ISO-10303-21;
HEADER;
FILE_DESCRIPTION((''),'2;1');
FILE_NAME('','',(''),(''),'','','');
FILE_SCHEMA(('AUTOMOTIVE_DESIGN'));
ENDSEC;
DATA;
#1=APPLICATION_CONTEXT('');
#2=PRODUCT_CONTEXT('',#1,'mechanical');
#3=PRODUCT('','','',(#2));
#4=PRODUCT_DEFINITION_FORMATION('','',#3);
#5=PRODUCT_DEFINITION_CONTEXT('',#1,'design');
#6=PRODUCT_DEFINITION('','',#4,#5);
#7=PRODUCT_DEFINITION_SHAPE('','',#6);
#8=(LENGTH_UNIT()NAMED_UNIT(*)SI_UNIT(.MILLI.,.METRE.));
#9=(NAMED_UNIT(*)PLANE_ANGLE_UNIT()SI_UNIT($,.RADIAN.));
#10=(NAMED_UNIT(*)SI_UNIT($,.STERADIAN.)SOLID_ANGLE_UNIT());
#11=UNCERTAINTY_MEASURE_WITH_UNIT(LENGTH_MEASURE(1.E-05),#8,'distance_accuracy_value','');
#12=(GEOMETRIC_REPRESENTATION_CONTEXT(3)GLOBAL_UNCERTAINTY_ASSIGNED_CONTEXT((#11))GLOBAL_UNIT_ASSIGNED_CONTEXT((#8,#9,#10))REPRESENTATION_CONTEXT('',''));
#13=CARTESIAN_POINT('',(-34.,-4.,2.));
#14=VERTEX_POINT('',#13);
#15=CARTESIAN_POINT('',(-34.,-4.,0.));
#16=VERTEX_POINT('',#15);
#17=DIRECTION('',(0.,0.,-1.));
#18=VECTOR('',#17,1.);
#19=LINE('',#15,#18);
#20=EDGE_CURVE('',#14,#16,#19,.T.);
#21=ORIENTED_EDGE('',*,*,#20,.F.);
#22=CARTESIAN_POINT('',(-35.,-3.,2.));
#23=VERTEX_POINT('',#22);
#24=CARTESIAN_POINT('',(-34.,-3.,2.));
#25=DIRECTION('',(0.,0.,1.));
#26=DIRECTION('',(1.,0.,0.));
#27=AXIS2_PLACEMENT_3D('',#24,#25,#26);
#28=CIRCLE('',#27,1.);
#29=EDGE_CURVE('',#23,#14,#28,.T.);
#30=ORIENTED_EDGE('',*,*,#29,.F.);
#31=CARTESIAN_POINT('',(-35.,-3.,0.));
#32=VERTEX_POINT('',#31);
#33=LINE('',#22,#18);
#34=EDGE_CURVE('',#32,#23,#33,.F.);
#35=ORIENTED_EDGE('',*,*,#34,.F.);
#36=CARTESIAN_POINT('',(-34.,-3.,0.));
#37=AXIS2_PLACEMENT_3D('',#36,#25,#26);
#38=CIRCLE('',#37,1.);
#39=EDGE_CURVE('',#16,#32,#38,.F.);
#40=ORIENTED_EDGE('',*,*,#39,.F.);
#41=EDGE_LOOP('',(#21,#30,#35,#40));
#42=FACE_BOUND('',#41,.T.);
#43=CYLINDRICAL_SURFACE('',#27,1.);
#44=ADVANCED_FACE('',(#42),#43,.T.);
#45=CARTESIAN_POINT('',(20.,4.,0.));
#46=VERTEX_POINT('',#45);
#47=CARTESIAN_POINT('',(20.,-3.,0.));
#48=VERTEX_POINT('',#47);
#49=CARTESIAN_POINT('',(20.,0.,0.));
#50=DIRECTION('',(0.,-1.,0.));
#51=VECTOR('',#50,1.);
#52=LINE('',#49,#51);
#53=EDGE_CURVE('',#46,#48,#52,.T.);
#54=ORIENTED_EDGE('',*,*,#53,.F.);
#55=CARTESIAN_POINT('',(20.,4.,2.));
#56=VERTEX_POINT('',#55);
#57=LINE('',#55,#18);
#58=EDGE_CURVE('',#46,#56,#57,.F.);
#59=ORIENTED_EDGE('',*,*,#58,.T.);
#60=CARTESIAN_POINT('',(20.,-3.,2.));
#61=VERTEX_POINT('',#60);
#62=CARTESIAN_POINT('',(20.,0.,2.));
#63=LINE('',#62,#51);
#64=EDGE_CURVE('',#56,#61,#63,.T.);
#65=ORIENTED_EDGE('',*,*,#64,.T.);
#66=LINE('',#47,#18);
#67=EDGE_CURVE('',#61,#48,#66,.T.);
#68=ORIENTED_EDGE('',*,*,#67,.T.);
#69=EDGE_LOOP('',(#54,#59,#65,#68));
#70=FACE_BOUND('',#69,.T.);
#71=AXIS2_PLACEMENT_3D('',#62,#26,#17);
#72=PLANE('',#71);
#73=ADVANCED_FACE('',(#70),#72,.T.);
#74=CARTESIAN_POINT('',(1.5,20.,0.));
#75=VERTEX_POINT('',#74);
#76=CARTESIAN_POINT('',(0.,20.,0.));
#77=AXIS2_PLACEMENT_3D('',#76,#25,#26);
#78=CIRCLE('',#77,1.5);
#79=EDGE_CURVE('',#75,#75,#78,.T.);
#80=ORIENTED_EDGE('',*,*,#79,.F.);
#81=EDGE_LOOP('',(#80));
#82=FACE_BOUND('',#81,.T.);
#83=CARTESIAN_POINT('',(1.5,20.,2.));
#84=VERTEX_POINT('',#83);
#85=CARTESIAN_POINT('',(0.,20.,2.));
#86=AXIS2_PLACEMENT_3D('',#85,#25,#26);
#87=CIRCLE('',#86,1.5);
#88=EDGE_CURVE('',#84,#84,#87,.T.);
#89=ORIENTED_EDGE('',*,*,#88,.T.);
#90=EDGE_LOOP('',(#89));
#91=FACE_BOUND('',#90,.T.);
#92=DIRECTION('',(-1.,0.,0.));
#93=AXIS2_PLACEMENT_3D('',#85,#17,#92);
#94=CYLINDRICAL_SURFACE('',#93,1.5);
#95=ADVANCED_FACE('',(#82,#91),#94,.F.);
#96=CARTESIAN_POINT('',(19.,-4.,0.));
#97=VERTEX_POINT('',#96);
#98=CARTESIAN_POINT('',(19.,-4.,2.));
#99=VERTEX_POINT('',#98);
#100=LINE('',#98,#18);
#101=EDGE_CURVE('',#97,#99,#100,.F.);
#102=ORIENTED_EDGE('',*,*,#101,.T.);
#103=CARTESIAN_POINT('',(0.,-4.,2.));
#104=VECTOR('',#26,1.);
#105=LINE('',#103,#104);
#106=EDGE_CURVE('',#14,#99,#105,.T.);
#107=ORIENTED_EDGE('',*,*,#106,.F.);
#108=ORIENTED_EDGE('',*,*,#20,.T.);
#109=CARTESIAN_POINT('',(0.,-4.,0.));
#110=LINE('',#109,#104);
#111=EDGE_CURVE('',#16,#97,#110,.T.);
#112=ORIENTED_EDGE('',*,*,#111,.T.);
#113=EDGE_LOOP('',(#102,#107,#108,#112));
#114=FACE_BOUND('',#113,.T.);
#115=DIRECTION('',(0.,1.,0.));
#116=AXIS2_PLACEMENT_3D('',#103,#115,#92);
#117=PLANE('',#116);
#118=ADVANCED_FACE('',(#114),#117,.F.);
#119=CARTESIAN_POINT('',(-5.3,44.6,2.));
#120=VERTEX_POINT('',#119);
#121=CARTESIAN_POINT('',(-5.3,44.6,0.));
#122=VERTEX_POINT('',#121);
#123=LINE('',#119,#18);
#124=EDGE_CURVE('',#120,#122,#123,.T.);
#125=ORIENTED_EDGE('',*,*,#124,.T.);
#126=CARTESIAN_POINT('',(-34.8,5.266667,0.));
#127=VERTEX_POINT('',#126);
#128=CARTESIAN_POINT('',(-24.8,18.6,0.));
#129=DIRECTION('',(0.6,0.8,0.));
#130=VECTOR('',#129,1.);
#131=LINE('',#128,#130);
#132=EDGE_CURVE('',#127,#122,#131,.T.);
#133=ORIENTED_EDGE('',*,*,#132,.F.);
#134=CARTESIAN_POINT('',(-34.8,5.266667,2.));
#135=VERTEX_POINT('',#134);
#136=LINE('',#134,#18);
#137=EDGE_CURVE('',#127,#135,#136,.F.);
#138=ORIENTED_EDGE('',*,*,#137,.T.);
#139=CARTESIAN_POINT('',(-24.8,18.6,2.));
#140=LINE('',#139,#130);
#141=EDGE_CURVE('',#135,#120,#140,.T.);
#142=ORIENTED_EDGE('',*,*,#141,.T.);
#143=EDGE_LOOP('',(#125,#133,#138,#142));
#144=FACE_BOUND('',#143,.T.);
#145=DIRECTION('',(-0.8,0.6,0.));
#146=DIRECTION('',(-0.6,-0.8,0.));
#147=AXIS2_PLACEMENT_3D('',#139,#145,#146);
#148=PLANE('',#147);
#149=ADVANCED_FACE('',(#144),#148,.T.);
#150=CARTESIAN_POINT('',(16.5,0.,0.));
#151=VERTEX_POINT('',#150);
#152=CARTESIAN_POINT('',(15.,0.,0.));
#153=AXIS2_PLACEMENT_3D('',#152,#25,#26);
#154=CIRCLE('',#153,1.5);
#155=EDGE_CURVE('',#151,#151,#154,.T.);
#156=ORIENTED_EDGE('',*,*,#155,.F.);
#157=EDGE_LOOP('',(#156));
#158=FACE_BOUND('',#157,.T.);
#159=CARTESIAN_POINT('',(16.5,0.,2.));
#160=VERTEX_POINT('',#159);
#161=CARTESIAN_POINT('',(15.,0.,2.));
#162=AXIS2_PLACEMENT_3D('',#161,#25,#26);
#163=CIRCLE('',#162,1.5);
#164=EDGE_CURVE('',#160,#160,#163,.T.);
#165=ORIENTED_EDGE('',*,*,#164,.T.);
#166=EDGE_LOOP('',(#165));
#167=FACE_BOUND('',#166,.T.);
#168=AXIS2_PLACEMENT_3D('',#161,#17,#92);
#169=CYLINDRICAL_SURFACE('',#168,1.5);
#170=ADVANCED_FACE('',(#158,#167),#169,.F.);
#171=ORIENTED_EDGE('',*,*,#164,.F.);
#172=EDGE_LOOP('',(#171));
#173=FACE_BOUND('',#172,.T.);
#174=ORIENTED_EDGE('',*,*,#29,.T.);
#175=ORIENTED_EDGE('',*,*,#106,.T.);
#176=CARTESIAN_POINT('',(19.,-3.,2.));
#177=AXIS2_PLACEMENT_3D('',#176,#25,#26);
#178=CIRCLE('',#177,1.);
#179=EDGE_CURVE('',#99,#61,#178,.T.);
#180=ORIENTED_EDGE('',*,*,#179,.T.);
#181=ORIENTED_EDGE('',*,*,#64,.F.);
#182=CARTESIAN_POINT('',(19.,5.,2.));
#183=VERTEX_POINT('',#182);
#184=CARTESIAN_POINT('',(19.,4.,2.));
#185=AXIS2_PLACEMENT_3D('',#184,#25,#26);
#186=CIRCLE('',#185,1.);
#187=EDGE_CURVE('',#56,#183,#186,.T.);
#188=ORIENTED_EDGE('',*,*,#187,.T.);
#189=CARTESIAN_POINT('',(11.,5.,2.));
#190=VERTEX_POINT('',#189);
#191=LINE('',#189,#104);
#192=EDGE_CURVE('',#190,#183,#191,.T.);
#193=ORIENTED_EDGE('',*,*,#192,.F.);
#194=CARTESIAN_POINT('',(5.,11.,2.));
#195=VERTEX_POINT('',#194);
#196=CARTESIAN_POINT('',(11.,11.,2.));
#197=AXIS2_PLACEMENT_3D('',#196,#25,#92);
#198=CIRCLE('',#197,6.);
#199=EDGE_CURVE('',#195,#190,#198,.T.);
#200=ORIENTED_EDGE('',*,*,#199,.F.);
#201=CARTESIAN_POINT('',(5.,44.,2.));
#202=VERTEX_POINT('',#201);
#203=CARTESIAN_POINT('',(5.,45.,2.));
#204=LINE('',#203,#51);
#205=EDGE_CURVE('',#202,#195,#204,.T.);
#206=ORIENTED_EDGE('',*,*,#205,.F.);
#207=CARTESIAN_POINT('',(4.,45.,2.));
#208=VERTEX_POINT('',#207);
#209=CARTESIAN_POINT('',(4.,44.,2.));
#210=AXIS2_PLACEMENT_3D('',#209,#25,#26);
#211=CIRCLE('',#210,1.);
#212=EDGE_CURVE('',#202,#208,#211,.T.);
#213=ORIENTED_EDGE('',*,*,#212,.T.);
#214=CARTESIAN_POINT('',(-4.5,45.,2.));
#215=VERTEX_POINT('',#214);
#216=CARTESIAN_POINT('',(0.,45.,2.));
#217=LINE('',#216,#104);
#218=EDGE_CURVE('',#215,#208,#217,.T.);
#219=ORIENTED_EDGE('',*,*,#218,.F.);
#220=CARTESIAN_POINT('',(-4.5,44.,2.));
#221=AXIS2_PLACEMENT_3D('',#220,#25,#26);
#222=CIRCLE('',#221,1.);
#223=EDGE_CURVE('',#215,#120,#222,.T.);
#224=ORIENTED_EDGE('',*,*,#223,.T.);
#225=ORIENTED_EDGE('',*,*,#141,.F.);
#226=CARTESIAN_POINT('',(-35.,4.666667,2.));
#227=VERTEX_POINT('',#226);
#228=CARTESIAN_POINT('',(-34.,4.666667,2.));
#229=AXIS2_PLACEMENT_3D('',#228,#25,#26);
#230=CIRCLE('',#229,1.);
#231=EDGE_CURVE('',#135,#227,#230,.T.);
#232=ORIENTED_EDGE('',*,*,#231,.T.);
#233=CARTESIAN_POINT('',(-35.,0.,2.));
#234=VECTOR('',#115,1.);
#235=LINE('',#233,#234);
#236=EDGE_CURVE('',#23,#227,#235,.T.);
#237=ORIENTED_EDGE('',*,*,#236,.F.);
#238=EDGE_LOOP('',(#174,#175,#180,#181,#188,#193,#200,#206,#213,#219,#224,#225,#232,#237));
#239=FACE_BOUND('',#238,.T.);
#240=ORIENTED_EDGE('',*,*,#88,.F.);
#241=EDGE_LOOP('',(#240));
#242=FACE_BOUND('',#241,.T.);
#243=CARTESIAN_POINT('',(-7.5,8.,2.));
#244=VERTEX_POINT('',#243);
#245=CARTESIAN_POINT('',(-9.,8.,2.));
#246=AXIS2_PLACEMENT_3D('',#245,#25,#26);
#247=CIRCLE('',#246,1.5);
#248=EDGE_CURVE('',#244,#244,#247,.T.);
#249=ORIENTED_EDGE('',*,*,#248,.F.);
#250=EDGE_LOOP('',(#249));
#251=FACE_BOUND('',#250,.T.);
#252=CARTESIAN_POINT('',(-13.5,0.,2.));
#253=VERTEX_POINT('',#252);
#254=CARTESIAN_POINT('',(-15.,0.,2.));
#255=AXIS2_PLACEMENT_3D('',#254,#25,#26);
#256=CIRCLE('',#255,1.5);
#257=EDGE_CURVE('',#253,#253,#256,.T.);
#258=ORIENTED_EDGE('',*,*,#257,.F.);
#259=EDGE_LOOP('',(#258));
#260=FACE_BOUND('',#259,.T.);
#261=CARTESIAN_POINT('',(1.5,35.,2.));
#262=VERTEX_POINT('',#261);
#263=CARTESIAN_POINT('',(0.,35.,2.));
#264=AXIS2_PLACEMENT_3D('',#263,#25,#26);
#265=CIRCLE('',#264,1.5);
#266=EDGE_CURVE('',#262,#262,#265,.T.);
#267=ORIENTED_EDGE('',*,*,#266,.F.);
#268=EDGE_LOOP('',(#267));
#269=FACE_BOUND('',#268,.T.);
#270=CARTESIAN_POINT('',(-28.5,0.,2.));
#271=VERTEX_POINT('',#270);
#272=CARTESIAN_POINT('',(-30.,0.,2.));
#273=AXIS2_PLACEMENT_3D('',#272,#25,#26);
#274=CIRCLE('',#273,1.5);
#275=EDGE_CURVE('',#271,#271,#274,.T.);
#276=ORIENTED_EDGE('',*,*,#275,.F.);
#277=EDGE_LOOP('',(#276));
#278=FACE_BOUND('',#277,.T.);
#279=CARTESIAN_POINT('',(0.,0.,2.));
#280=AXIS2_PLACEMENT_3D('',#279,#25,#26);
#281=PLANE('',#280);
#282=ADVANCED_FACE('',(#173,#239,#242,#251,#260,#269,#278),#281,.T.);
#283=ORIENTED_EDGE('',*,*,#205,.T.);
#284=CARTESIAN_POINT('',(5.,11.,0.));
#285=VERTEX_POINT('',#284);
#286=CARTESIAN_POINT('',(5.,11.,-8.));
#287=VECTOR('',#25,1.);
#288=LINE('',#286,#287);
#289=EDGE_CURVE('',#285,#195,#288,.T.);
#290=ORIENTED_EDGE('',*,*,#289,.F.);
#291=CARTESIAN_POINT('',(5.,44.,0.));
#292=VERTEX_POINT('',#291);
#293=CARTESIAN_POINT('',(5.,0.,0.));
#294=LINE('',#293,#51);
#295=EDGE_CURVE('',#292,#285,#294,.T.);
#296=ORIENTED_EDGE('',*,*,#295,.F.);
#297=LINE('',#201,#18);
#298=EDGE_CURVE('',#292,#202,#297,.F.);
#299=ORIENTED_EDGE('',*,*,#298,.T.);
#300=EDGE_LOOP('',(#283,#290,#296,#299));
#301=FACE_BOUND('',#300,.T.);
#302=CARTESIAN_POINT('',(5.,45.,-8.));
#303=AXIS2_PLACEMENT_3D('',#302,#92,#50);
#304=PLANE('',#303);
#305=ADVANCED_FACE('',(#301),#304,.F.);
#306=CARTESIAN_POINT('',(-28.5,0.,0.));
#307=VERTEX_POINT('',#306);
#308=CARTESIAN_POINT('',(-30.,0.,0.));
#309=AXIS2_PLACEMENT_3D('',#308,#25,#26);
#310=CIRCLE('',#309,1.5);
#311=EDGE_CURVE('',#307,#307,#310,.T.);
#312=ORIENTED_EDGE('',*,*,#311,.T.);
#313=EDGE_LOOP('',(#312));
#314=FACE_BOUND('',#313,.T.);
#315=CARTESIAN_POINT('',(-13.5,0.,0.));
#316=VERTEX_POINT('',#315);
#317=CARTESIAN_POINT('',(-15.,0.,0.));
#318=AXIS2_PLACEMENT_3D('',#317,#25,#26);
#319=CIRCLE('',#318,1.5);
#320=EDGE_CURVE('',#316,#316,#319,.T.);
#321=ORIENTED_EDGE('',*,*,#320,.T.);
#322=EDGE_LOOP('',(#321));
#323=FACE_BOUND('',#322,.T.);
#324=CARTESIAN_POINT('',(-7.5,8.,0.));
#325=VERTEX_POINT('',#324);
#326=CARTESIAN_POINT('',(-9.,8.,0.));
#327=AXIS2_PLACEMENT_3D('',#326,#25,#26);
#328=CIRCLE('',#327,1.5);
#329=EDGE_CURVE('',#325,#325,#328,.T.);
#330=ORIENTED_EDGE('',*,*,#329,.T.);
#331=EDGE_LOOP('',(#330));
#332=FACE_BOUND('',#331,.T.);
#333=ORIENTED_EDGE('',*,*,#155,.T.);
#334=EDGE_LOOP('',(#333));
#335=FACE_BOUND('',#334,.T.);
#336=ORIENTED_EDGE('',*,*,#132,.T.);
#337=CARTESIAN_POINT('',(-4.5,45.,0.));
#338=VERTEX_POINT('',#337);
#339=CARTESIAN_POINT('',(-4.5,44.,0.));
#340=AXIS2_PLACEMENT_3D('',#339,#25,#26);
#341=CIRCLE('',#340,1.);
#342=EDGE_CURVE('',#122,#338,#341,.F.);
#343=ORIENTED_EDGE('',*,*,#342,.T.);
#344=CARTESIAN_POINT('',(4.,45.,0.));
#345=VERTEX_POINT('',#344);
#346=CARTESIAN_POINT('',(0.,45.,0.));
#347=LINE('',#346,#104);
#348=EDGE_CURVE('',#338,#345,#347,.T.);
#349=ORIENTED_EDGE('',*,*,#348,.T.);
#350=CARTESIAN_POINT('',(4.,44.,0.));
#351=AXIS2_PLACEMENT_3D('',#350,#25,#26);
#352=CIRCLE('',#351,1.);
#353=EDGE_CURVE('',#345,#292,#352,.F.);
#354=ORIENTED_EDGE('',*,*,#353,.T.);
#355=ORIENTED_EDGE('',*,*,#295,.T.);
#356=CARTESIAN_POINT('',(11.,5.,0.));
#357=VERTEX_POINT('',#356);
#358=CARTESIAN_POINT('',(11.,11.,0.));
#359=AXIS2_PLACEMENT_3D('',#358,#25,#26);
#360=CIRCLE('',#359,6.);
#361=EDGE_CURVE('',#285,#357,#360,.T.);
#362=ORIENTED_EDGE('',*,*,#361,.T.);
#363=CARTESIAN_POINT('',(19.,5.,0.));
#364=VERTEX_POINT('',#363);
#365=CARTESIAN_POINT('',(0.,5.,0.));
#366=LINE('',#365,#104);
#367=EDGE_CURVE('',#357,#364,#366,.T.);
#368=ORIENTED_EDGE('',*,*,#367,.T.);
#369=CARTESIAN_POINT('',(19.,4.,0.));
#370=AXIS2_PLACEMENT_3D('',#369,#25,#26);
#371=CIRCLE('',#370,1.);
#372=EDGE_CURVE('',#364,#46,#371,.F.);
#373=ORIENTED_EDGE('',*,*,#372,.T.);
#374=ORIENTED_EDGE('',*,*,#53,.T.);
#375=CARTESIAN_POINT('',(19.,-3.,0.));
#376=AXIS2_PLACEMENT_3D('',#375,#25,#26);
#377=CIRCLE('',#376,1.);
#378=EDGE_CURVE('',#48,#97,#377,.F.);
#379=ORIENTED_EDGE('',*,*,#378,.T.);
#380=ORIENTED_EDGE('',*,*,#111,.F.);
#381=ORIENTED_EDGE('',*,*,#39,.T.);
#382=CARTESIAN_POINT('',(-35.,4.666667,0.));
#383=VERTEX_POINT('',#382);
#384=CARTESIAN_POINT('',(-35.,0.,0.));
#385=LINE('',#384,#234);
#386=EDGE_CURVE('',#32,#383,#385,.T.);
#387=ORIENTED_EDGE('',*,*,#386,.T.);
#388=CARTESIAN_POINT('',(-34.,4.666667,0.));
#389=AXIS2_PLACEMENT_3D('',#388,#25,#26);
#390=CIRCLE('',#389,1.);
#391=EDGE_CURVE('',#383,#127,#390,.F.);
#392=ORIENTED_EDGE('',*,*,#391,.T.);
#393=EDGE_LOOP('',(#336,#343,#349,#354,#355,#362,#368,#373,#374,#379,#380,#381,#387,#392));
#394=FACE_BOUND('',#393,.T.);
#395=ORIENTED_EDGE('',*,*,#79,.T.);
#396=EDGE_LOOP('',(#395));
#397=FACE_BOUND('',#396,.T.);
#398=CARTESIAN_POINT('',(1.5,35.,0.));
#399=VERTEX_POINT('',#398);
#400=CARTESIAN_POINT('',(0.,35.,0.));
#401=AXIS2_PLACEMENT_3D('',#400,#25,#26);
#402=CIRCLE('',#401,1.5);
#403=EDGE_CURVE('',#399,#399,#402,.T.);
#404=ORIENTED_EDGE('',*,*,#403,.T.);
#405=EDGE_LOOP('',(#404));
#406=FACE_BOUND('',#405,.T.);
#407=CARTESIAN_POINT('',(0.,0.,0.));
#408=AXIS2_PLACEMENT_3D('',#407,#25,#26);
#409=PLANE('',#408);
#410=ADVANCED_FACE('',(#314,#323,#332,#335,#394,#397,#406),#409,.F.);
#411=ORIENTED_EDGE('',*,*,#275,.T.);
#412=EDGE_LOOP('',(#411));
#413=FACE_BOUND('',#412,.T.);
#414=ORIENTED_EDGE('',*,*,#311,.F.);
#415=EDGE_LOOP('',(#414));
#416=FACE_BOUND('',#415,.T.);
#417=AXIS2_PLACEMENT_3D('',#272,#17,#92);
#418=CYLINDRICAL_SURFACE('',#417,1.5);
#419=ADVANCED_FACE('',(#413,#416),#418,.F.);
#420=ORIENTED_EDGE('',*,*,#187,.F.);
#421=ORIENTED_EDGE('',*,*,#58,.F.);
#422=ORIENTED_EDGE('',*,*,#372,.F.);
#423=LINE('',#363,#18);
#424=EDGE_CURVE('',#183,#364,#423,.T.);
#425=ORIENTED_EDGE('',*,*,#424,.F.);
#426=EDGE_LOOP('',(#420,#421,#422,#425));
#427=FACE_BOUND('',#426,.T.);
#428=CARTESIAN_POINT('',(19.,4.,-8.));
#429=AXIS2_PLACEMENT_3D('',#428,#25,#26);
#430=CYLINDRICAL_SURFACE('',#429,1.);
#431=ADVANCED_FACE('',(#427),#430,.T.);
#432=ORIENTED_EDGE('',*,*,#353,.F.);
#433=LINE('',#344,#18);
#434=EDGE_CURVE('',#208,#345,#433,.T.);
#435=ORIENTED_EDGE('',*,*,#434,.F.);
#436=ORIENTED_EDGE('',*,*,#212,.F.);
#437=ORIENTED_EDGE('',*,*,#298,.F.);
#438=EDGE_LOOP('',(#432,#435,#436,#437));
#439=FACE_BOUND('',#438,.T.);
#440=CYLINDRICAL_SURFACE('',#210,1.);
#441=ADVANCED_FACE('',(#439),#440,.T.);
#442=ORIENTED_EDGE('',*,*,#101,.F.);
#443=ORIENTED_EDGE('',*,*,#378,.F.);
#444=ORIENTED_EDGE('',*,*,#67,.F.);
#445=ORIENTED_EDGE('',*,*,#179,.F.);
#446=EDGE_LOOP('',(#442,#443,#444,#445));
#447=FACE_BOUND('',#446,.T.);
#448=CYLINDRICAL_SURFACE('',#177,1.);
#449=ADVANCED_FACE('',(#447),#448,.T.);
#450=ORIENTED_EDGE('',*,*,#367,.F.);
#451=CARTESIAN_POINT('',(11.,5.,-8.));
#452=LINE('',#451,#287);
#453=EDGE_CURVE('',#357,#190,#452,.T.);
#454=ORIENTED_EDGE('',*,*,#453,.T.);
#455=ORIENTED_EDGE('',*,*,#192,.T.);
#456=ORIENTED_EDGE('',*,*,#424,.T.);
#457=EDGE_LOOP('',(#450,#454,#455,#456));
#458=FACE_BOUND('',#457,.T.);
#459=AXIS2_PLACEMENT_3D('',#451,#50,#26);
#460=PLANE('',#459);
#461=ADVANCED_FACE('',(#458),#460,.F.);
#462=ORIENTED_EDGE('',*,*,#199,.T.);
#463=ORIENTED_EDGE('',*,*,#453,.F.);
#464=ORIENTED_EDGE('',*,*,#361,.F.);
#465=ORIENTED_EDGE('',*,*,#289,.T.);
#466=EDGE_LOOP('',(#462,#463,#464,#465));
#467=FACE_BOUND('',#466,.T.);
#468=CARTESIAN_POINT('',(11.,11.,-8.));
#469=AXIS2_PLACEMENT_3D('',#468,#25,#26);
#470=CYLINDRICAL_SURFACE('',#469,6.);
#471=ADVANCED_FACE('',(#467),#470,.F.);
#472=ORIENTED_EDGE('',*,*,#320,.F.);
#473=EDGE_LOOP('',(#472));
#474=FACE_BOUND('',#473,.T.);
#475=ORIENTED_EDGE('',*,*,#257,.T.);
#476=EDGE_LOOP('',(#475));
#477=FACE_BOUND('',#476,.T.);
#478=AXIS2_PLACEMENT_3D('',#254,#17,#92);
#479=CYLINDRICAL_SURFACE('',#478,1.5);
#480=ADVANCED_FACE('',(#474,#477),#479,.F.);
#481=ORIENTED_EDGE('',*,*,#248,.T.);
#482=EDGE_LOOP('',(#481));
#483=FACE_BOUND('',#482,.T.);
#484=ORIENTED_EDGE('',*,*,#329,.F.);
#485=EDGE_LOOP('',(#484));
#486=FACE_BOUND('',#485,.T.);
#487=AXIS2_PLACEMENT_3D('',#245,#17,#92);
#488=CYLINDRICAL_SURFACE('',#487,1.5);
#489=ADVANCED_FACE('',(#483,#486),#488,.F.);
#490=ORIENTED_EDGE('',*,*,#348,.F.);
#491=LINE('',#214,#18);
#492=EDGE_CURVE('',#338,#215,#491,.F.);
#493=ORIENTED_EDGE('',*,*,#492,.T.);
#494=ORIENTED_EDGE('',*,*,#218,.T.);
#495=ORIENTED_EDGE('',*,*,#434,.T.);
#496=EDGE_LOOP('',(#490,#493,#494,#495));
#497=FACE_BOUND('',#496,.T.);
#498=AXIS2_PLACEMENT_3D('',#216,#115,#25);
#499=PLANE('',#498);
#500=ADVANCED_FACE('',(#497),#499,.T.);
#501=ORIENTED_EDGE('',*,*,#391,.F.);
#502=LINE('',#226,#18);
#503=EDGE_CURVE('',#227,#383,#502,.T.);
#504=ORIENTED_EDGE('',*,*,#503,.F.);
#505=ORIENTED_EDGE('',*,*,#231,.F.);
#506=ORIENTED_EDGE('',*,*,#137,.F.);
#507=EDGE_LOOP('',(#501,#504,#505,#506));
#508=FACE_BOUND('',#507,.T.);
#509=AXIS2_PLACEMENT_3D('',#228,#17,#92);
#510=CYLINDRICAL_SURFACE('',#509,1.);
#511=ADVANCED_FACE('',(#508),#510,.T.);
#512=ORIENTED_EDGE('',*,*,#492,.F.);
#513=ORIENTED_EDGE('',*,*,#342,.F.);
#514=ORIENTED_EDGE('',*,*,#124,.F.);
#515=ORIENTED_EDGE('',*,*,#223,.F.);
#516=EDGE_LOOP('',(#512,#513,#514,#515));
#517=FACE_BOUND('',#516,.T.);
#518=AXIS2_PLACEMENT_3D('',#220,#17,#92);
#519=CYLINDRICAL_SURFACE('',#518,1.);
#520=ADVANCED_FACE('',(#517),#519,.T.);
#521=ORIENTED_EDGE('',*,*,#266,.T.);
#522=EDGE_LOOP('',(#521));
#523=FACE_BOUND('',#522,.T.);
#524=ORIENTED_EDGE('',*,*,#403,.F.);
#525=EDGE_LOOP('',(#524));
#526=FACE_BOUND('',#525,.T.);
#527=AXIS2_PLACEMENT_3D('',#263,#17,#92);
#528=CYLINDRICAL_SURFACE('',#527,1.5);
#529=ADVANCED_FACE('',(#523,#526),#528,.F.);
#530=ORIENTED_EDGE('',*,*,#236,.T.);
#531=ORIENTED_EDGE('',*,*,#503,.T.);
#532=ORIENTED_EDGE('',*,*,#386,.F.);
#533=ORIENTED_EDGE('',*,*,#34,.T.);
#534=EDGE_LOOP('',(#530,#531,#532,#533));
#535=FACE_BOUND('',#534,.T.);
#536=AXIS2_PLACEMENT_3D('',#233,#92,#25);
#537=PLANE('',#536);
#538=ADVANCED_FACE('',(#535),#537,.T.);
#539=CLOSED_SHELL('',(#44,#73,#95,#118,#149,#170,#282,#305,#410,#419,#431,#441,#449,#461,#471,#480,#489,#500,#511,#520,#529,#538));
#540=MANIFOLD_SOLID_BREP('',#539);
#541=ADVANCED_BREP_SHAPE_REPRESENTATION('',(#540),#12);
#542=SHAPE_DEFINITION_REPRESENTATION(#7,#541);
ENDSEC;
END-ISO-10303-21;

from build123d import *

# Parameters (mm, degrees)
SKETCH_1_R          = 1.5
EXTRUDE_1_DEPTH     = 2
CUT_EXTRUDE_1_DEPTH = 10
FILLET_1_R          = 1


with BuildPart() as part:
    # 草图1 → 凸台-拉伸1 (new body)
    with BuildSketch(Plane.XY):
        Polygon((-5, 45), (-35, 5), (-35, -4), (20, -4), (20, 5), (5, 45), align=None)
        with Locations((-30, 0)):
            Circle(SKETCH_1_R, mode=Mode.SUBTRACT)
        with Locations((-15, 0)):
            Circle(SKETCH_1_R, mode=Mode.SUBTRACT)
        with Locations((-9, 8)):
            Circle(SKETCH_1_R, mode=Mode.SUBTRACT)
        with Locations((15, 0)):
            Circle(SKETCH_1_R, mode=Mode.SUBTRACT)
        with Locations((0, 20)):
            Circle(SKETCH_1_R, mode=Mode.SUBTRACT)
        with Locations((0, 35)):
            Circle(SKETCH_1_R, mode=Mode.SUBTRACT)
    extrude(amount=EXTRUDE_1_DEPTH)

    # 草图2 → 切除-拉伸1 (cut)
    with BuildSketch(Plane.XY.offset(2)):
        with BuildLine():
            Line((5, 45), (5, 11))
            ThreePointArc((5, 11), (6.757359313, 6.757359313), (11, 5))
            Line((11, 5), (20, 5))
            Line((20, 5), (5, 45))
        make_face()
    extrude(amount=-CUT_EXTRUDE_1_DEPTH, mode=Mode.SUBTRACT)

    # 圆角1
    fillet_1_edges = [part.edges().sort_by_distance(p)[0] for p in [
        (20, -4, 1),
        (-35, -4, 1),
        (-35, 5, 1),
        (-5, 45, 1),
        (5, 45, 1),
        (20, 5, 1),
    ]]
    fillet(fillet_1_edges, radius=FILLET_1_R)


solid = part.part
